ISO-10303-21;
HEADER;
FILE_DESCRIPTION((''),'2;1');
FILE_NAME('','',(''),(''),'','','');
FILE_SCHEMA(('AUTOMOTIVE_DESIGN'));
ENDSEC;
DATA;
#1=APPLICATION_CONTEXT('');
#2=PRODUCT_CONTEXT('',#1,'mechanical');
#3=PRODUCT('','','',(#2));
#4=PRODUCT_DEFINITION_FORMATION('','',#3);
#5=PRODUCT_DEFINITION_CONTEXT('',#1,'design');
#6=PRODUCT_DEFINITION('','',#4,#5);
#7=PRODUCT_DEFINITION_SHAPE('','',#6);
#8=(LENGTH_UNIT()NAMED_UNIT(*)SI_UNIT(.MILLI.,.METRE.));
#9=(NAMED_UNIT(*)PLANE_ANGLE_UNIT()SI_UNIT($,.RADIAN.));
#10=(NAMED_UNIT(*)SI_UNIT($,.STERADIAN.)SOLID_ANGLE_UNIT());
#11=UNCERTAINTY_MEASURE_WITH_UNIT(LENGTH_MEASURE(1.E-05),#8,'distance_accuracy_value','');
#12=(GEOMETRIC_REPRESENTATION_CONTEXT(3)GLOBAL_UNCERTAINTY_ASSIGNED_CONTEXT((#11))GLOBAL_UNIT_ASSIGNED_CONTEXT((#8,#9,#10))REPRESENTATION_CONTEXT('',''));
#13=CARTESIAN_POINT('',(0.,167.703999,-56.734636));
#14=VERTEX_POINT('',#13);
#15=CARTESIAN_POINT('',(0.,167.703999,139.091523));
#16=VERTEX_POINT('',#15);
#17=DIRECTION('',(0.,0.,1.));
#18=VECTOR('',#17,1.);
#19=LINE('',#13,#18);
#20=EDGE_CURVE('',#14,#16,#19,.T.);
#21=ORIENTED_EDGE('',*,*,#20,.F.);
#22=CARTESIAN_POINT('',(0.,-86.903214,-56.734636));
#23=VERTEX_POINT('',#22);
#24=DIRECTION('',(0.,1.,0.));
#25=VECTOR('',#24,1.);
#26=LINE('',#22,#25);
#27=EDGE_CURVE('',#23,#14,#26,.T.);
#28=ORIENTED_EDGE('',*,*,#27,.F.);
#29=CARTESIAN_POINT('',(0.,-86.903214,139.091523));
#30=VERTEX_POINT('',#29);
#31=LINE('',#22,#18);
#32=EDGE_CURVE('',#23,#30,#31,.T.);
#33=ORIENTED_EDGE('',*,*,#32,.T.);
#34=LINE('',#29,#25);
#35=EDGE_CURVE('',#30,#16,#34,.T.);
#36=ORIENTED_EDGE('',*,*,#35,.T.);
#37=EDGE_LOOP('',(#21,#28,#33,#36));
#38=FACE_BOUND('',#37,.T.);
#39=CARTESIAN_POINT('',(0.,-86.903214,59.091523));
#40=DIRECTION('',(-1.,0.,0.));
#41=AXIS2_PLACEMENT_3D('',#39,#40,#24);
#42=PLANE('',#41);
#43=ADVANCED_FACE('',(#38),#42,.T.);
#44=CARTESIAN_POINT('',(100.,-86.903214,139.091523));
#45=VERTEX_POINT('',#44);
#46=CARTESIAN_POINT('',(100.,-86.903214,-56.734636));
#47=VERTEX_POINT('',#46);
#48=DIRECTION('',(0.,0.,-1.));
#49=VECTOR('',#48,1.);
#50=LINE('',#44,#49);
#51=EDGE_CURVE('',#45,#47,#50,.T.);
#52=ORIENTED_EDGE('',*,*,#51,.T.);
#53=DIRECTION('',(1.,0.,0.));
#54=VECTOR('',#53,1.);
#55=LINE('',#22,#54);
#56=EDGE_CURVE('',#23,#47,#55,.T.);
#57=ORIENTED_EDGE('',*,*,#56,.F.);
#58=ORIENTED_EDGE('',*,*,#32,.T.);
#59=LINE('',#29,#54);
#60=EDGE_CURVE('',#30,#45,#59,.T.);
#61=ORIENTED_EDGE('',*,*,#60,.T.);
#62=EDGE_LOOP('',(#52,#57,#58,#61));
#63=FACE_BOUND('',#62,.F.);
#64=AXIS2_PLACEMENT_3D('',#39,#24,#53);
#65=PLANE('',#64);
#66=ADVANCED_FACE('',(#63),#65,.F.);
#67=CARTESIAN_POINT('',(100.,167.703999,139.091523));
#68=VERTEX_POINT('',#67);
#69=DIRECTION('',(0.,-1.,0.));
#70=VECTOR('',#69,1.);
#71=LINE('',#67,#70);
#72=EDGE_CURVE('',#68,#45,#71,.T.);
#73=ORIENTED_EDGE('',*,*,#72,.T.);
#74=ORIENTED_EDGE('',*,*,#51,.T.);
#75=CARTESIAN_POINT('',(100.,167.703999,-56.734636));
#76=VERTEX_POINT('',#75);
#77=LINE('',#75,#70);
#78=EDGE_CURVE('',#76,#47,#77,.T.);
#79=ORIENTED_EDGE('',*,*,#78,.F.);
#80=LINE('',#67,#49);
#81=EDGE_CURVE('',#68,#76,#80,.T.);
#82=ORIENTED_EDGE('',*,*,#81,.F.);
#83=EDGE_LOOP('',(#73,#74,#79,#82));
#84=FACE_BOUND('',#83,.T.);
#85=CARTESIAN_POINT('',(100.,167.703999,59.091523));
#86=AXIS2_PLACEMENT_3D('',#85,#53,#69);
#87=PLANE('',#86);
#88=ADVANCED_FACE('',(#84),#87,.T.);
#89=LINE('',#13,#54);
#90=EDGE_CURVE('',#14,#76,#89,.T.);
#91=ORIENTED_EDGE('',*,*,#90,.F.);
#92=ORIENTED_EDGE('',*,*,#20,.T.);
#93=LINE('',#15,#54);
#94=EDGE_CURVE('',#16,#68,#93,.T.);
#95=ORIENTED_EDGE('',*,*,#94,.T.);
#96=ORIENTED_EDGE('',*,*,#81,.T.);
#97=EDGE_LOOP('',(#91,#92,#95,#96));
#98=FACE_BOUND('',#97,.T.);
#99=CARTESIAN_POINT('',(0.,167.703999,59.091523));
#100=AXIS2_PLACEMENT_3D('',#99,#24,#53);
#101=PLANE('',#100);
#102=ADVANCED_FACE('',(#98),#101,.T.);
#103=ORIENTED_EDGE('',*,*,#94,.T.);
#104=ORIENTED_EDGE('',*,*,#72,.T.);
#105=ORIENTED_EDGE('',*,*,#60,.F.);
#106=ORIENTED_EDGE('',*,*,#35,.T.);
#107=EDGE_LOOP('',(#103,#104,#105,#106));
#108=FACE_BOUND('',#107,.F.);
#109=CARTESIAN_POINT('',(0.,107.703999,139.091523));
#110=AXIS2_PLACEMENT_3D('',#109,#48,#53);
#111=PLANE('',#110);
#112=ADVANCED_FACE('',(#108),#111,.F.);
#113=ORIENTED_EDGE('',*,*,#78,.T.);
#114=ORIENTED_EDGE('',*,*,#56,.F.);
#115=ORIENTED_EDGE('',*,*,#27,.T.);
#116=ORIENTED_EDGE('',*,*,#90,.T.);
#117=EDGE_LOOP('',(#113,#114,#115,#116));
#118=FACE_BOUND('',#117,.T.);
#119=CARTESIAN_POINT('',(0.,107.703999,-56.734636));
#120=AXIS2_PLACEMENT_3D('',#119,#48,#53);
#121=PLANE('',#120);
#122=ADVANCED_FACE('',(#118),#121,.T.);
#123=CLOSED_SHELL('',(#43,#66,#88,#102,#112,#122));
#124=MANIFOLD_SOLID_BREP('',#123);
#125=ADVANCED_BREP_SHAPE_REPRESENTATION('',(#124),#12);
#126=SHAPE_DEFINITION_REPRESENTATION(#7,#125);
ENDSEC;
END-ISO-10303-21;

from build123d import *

# Parameters (mm, degrees)
F0_W     = 194.6072131395
F0_H     = 115.8261597157
F1_DEPTH = 100
F2_DEPTH = 60
F3_DEPTH = 80


with BuildPart() as f1:
    # F0 (on Right) → F1 (new body)
    with BuildSketch(Plane.YZ):
        with Locations((10.4003921151, 1.1784434319)):
            Rectangle(F0_W, F0_H)
    extrude(amount=F1_DEPTH)

    # F2 (add): a face of the model
    f2_faces = [f1.faces().sort_by_distance(p)[0] for p in [
        (50, 107.7039986849, 1.1784434319),
    ]]
    extrude(f2_faces, amount=F2_DEPTH)

    # F3 (add): a face of the model
    f3_faces = [f1.faces().sort_by_distance(p)[0] for p in [
        (50, 40.4003921151, 59.0915232897),
    ]]
    extrude(f3_faces, amount=F3_DEPTH)


solid = f1.part
